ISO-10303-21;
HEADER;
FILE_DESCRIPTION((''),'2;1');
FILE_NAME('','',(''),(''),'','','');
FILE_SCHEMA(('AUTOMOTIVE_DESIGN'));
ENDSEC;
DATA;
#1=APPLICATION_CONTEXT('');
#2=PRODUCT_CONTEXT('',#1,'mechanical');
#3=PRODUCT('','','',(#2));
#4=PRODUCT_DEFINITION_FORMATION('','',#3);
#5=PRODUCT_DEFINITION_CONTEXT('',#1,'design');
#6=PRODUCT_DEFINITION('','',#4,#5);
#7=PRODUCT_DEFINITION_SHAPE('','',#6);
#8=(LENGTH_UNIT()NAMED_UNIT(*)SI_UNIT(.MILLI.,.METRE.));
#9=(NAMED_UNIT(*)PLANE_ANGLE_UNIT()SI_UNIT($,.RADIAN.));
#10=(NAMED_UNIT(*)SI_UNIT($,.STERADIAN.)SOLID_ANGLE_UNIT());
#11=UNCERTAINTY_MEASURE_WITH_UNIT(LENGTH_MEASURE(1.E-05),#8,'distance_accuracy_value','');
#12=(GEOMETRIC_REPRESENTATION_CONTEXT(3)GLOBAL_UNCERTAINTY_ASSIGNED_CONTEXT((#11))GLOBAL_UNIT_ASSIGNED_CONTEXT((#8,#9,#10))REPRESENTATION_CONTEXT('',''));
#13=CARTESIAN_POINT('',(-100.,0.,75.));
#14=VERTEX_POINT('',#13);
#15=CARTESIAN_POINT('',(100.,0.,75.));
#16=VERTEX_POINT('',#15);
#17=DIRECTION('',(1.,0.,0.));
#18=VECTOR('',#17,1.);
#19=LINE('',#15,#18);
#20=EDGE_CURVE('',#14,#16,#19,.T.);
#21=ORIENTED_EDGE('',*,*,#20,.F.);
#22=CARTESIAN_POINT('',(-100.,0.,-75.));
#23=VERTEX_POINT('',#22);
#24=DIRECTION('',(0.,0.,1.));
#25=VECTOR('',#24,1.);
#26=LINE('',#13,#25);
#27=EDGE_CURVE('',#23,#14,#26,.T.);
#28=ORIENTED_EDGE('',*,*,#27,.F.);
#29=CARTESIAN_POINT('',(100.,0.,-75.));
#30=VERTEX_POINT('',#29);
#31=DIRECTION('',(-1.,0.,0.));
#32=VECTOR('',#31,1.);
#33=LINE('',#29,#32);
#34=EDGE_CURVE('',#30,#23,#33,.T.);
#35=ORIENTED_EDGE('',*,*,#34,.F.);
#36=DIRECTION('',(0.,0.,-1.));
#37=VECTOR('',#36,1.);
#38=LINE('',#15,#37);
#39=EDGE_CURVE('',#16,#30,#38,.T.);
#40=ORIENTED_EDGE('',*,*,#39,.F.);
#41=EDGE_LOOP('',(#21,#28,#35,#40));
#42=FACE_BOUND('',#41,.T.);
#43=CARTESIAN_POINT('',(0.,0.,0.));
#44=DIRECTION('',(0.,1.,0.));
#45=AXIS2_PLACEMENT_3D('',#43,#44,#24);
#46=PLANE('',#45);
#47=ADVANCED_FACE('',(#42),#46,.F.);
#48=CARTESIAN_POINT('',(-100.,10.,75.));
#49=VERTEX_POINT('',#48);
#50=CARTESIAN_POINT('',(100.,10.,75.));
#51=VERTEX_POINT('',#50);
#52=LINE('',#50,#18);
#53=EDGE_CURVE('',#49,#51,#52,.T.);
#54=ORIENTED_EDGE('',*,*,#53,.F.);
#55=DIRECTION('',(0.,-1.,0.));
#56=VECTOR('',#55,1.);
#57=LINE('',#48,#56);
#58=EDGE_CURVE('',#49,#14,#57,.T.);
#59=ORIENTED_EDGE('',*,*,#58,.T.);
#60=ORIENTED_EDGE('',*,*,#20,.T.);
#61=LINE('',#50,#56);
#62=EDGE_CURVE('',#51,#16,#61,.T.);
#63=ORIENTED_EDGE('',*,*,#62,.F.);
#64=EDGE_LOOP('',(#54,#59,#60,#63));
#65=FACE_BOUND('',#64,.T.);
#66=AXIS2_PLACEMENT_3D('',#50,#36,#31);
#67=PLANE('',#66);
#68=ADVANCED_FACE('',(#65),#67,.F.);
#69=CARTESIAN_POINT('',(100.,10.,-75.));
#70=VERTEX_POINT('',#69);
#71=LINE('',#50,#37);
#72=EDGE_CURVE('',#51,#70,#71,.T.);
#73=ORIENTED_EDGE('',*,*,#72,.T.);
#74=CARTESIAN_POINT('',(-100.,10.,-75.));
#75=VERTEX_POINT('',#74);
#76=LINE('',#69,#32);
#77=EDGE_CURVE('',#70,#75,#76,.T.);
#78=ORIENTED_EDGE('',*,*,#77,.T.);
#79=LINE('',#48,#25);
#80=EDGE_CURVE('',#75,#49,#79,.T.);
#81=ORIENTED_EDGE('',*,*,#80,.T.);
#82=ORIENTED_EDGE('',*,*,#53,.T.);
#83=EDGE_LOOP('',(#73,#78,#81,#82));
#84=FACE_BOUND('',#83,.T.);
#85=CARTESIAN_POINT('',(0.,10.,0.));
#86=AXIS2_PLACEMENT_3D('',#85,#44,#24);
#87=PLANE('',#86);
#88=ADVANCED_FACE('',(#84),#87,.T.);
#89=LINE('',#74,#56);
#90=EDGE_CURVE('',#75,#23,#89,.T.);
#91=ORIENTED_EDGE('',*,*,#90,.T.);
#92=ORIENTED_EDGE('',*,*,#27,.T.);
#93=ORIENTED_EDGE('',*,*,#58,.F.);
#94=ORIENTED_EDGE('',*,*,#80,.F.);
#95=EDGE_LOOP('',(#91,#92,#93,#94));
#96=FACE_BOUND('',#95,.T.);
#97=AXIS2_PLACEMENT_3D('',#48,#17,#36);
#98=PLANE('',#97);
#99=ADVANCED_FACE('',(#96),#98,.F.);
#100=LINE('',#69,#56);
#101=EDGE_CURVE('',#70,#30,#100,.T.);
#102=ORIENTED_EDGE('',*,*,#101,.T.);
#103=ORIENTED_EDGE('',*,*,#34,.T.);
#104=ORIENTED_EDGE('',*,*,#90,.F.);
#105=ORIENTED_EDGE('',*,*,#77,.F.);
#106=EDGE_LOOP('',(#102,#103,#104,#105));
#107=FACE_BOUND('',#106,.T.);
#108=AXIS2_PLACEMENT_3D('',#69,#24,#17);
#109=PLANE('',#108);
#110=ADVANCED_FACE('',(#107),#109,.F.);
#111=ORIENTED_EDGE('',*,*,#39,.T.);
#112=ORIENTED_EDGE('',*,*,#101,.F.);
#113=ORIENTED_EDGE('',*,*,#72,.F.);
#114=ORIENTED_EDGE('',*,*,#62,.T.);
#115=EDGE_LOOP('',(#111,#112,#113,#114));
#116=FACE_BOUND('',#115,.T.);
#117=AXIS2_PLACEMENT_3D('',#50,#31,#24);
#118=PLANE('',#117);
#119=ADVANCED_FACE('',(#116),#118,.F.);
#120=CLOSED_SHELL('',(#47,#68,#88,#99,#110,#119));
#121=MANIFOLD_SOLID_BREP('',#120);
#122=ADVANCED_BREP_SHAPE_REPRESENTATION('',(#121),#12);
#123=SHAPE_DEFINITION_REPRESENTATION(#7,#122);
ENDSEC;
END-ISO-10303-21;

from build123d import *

# Parameters (mm, degrees)
SCHIZZO2_W                   = 200
SCHIZZO2_H                   = 150
ESTRUSIONE_ESTRUSIONE1_DEPTH = 10


with BuildPart() as part:
    # Schizzo2 → Estrusione-Estrusione1 (new body)
    with BuildSketch(Plane(origin=(0, 0, 0), x_dir=(1, 0, 0), z_dir=(0, 1, 0))):
        Rectangle(SCHIZZO2_W, SCHIZZO2_H)
    extrude(amount=ESTRUSIONE_ESTRUSIONE1_DEPTH)


solid = part.part
